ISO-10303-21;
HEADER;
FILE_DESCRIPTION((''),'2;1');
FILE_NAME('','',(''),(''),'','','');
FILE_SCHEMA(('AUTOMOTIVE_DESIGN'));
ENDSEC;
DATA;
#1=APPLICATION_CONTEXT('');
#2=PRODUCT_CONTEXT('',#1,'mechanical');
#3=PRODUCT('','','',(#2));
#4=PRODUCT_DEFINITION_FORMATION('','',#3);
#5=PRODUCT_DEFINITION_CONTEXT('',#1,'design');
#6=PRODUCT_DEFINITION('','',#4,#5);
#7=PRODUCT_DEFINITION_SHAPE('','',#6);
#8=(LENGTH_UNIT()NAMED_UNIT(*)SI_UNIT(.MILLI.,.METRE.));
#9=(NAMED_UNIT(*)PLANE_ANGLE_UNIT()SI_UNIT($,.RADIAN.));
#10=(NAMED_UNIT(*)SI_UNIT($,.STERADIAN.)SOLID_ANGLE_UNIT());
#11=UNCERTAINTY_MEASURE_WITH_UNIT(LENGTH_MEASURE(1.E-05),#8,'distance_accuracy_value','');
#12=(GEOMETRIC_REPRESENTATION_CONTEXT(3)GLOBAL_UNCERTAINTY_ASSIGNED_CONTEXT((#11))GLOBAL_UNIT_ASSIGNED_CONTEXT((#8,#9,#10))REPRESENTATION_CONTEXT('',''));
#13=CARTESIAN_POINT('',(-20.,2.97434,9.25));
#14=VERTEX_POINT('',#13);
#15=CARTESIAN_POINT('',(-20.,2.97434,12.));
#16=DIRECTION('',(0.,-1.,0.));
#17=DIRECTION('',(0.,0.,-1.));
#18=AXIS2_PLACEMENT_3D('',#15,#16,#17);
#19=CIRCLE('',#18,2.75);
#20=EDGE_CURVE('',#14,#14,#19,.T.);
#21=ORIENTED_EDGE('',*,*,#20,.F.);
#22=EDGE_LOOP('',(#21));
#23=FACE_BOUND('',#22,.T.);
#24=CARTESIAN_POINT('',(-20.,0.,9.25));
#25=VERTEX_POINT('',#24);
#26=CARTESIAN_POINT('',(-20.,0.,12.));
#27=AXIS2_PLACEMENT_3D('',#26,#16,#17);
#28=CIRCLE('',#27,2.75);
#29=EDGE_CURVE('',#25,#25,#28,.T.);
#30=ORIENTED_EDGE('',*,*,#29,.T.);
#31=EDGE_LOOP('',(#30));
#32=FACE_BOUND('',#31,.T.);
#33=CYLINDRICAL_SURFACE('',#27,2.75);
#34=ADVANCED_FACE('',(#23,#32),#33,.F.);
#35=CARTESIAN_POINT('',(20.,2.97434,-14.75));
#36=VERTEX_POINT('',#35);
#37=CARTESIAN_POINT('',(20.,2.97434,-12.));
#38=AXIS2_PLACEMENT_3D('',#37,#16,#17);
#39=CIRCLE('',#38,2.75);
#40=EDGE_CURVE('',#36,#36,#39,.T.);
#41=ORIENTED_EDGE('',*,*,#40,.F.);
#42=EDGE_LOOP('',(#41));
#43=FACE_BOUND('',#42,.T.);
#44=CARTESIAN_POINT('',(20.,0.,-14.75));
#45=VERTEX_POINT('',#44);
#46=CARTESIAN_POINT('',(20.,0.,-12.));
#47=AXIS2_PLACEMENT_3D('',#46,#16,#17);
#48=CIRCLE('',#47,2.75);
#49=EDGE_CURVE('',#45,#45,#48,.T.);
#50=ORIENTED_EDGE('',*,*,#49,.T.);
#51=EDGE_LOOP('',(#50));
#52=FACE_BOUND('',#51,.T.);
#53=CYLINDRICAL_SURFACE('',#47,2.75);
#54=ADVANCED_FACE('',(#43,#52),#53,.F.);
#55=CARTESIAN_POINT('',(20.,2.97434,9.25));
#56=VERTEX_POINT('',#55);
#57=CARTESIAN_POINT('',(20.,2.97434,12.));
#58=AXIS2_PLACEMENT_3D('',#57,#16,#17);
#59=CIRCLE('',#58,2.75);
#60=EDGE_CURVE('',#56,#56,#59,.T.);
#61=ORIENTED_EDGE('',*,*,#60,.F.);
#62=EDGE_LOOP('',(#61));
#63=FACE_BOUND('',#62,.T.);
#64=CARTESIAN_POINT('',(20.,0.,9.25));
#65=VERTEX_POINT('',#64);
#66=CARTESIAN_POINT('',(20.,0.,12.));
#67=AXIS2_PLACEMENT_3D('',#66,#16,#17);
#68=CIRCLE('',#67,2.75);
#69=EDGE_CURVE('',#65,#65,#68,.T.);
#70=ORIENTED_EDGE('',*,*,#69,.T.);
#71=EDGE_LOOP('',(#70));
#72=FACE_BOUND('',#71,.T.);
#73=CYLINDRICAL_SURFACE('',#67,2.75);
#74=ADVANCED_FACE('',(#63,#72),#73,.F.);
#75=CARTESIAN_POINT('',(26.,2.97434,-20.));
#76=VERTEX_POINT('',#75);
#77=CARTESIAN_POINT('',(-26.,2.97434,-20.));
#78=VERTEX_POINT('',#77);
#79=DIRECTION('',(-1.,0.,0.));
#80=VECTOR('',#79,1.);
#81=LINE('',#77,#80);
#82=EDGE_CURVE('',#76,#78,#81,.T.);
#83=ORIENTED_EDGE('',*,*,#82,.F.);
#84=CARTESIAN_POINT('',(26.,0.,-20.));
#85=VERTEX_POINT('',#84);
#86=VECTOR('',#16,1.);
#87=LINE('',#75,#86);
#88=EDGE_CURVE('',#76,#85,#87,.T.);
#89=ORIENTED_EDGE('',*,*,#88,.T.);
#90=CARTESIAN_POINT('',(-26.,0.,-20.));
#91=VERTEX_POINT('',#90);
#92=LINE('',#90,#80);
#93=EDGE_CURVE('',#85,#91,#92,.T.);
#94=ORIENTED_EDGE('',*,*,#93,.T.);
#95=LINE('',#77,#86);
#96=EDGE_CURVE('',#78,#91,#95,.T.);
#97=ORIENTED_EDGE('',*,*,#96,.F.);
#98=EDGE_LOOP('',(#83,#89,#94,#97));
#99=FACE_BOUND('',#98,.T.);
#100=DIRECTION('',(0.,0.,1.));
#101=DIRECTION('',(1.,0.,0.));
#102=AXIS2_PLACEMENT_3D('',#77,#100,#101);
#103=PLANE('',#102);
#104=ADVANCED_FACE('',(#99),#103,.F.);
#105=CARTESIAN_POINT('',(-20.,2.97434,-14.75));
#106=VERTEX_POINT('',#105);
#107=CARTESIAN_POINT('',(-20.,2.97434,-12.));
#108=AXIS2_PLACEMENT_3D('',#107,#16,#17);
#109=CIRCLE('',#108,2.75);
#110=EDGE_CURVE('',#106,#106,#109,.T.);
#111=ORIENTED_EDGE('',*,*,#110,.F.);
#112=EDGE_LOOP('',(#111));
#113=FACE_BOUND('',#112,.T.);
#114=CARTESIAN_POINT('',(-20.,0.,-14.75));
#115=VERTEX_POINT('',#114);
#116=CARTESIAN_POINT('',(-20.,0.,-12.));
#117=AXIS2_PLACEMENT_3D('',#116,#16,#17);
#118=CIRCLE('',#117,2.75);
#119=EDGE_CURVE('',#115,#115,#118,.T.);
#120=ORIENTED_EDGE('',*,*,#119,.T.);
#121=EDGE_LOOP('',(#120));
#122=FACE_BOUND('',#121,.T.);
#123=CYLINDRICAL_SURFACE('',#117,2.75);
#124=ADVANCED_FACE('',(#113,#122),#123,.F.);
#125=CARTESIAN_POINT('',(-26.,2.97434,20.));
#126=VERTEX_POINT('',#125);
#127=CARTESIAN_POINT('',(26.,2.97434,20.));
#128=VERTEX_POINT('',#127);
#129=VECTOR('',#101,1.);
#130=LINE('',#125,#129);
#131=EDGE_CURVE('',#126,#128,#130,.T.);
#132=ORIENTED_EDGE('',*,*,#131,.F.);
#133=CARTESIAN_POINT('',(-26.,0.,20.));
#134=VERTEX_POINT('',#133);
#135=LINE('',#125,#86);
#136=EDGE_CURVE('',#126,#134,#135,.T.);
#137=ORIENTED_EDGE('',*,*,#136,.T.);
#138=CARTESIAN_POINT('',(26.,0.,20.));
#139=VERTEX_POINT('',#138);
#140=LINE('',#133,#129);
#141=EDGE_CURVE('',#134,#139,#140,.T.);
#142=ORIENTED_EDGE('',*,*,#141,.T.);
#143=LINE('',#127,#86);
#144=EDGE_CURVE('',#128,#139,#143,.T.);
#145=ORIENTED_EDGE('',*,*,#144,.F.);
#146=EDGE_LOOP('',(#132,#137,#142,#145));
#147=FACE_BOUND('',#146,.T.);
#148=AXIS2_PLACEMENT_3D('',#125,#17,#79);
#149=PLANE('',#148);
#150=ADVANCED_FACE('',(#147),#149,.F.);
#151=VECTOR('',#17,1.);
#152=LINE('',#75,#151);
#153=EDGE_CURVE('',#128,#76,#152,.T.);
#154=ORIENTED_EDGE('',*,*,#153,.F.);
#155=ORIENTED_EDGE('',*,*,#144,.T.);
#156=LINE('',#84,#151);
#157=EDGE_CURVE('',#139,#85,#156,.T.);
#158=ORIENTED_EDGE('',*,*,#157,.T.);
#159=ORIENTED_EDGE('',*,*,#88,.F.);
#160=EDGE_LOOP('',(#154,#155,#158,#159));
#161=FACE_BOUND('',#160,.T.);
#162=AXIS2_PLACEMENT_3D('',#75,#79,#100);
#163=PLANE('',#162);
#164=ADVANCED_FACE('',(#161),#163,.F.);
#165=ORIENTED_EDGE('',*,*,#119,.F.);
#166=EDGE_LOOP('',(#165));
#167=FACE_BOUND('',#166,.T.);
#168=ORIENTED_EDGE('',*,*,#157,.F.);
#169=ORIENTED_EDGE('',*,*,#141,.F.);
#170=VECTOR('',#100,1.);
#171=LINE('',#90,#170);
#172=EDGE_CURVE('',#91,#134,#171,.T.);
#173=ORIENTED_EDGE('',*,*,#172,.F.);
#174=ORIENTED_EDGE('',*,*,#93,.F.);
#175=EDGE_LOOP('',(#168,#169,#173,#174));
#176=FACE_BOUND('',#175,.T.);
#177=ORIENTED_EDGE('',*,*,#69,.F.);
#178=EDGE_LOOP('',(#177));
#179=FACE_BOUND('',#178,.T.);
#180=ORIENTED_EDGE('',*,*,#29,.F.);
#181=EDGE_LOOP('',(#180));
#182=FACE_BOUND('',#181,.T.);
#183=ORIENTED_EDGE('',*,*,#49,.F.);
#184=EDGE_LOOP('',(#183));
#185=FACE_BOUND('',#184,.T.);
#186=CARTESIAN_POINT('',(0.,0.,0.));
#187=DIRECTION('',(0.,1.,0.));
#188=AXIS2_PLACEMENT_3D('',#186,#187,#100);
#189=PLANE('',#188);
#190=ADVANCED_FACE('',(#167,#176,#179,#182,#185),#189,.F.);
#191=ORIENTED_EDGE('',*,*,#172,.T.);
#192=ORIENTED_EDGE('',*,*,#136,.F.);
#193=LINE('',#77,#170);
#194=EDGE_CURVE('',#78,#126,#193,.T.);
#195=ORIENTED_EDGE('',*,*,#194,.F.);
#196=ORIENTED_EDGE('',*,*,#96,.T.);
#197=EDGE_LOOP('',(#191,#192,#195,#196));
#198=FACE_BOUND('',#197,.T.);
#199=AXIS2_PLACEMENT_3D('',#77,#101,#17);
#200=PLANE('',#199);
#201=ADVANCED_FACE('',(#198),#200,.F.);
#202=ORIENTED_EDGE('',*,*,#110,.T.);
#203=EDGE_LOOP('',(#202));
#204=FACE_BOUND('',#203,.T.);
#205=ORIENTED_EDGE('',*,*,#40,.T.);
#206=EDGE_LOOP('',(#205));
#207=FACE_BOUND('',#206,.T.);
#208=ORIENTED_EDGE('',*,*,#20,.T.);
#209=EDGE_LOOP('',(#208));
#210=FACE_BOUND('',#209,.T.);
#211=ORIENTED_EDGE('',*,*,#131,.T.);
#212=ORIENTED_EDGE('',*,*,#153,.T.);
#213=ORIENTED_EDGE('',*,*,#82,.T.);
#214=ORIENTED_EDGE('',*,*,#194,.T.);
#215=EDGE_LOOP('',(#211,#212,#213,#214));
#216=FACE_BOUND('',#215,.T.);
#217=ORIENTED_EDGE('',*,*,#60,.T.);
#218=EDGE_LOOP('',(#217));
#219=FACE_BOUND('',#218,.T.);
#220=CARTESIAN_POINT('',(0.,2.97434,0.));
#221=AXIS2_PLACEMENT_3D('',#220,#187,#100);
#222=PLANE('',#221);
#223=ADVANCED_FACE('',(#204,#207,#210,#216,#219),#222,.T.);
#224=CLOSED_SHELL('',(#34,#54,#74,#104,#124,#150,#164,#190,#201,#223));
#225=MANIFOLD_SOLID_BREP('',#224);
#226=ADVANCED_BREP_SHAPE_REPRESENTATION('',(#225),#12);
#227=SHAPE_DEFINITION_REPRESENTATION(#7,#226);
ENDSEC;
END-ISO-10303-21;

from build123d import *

# Parameters (mm, degrees)
SKETCH1_W            = 51.999999886
SKETCH1_H            = 40.00000001
BOSS_EXTRUDE1_DEPTH  = 2.97434
M5_CLEARANCE_HOLE1_D = 5.5


with BuildPart() as part:
    # Sketch1 → Boss-Extrude1 (new body)
    with BuildSketch(Plane(origin=(0, 0, 0), x_dir=(1, 0, 0), z_dir=(0, 1, 0))):
        Rectangle(SKETCH1_W, SKETCH1_H)
    extrude(amount=BOSS_EXTRUDE1_DEPTH)

    # M5 Clearance Hole1 (through all)
    with Locations(Plane(origin=(0, 0, 0), x_dir=(-1, 0, 0), z_dir=(0, -1, 0))):
        with Locations((-20, -12), (-20, 12), (20, 12), (20, -12)):
            Hole(M5_CLEARANCE_HOLE1_D / 2)


solid = part.part
